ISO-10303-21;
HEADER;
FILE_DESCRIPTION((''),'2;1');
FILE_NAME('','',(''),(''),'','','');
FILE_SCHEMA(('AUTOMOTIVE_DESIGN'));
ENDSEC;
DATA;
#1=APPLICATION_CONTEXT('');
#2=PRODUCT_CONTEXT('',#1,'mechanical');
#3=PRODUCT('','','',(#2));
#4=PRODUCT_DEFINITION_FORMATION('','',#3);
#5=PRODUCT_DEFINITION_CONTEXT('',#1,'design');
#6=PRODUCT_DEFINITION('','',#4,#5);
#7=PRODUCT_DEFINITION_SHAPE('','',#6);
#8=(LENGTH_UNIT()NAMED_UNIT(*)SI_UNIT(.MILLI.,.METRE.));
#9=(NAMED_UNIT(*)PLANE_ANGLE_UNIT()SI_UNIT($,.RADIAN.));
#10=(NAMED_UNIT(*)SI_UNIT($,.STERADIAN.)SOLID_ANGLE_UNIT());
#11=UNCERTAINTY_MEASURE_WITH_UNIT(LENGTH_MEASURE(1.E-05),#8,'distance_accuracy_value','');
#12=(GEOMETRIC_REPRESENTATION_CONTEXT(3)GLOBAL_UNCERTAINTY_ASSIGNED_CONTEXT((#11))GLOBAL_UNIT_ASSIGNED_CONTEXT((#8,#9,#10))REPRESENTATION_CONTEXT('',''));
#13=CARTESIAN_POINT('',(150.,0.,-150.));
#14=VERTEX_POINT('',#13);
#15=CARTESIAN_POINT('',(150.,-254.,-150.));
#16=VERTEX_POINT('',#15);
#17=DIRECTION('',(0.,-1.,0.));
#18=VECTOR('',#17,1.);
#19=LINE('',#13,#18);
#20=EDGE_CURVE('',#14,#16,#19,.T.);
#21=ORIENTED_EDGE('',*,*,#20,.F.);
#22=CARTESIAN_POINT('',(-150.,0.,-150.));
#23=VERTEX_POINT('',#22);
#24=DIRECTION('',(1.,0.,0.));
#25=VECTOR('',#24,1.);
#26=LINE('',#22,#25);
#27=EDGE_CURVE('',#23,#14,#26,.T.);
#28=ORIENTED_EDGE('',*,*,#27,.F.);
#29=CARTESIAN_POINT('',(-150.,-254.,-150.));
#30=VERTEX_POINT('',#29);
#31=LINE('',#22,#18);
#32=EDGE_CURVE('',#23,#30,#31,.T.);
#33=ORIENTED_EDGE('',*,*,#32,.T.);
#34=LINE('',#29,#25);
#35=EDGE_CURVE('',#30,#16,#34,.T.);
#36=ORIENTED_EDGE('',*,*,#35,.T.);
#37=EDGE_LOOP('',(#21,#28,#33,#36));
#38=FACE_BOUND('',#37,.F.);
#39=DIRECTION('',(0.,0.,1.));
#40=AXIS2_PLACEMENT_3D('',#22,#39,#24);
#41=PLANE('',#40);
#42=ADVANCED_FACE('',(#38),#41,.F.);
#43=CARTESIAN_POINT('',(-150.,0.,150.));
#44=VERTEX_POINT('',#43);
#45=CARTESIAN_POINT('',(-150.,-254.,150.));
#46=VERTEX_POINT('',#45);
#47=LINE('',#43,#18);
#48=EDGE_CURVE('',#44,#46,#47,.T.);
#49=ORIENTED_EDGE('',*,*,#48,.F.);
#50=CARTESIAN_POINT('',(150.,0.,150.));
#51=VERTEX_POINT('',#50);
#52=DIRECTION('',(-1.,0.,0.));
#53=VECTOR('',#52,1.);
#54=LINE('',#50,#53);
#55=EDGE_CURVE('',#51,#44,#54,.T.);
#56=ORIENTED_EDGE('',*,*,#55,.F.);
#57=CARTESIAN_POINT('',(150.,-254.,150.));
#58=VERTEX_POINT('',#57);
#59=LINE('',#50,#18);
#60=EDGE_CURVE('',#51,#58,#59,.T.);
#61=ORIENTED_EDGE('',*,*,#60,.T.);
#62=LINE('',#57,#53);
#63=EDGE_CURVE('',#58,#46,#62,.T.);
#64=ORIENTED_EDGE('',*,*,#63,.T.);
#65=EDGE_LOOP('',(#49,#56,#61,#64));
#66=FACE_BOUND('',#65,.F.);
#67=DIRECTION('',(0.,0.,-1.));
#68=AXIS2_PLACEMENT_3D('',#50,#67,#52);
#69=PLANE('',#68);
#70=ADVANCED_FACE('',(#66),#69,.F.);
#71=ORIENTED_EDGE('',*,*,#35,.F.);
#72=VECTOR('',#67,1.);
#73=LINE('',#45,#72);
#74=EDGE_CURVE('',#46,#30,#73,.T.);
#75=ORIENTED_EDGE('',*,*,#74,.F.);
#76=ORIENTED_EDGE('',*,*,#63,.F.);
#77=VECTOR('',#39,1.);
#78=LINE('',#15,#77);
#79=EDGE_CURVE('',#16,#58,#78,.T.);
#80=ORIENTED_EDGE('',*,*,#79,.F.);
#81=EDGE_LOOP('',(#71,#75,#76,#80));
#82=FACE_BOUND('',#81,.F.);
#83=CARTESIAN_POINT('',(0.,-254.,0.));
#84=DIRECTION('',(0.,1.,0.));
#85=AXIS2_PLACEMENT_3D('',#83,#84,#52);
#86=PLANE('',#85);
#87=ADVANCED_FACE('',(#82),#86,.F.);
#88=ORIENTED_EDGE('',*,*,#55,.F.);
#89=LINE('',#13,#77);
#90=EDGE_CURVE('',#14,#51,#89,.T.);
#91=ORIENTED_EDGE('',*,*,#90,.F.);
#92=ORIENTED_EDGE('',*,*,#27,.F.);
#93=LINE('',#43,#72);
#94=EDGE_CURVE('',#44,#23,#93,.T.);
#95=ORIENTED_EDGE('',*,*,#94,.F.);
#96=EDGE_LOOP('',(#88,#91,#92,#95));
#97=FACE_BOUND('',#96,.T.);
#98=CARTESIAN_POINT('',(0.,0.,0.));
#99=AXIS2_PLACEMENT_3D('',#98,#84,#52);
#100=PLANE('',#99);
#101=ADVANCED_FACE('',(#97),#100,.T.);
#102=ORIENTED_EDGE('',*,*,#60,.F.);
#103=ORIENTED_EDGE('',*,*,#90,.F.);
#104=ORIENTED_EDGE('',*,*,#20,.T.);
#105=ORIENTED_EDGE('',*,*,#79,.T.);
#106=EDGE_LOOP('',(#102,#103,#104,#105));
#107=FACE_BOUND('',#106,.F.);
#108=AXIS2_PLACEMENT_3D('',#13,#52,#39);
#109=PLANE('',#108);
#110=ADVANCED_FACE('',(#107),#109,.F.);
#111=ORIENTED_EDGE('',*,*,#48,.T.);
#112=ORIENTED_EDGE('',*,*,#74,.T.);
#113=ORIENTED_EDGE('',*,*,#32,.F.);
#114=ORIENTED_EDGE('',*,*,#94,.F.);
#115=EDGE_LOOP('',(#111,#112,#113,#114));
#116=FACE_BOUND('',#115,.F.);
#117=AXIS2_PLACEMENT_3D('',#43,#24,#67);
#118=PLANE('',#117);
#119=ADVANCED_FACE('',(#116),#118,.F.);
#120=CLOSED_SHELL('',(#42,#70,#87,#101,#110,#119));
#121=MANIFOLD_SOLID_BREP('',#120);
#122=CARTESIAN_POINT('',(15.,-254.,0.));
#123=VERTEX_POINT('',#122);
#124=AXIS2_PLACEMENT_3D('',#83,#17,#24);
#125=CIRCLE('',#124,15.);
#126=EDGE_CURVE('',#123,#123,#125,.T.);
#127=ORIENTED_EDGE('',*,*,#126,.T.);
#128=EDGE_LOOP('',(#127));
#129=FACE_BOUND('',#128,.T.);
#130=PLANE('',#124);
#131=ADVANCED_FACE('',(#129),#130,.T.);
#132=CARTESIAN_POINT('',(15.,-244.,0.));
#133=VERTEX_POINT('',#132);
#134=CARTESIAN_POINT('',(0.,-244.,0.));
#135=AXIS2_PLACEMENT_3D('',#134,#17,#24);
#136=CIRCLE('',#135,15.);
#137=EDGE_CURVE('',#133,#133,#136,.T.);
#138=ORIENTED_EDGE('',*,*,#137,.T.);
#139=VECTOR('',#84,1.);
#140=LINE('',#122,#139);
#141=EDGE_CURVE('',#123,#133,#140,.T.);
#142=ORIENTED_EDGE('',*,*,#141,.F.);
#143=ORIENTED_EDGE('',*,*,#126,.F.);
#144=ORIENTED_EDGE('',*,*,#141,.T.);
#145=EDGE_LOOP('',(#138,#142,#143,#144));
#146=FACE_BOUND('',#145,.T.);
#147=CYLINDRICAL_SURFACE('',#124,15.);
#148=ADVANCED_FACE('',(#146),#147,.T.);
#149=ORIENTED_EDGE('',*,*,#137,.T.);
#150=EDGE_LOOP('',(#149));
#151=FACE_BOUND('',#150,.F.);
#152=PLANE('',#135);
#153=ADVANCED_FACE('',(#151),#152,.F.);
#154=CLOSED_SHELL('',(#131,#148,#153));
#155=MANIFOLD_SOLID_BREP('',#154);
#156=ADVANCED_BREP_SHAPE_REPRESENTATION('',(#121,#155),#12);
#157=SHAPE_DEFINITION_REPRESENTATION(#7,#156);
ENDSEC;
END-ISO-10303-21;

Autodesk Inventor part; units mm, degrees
ref_plane "YZ Plane" through (0, 0, 0) normal (1, 0, 0) x (0, 1, 0)
ref_plane "XZ Plane" through (0, 0, 0) normal (0, 1, 0) x (-1, 0, 0)
ref_plane "XY Plane" through (0, 0, 0) normal (0, 0, 1) x (1, 0, 0)
sketch "Sketch1" plane through (0, 0, 0) normal (0, 1, 0) x (-1, 0, 0)
  line L0 (150, 150) -> (150, -150)
  line L1 (150, -150) -> (-150, -150)
  line L2 (-150, -150) -> (-150, 150)
  line L3 (-150, 150) -> (150, 150)
  point P0 (0, 0)
  dimension "d5" = 150
  dimension "d6" = 150
  dimension "d7" = 300
  dimension "d8" = 300
  dimension "d9" = 300
extrude "Extrusion1" add sketch "Sketch1" against normal blind 254
sketch "Sketch2" plane through (0, -254, 0) normal (0, -1, 0) x (1, 0, 0)
  circle A0 centre (0, 0) radius 15
  dimension "d10" = 30
extrude "Extrusion2" add sketch "Sketch2" against normal blind 10 separate body
properties part number "2p3cem" material "Concrete"
